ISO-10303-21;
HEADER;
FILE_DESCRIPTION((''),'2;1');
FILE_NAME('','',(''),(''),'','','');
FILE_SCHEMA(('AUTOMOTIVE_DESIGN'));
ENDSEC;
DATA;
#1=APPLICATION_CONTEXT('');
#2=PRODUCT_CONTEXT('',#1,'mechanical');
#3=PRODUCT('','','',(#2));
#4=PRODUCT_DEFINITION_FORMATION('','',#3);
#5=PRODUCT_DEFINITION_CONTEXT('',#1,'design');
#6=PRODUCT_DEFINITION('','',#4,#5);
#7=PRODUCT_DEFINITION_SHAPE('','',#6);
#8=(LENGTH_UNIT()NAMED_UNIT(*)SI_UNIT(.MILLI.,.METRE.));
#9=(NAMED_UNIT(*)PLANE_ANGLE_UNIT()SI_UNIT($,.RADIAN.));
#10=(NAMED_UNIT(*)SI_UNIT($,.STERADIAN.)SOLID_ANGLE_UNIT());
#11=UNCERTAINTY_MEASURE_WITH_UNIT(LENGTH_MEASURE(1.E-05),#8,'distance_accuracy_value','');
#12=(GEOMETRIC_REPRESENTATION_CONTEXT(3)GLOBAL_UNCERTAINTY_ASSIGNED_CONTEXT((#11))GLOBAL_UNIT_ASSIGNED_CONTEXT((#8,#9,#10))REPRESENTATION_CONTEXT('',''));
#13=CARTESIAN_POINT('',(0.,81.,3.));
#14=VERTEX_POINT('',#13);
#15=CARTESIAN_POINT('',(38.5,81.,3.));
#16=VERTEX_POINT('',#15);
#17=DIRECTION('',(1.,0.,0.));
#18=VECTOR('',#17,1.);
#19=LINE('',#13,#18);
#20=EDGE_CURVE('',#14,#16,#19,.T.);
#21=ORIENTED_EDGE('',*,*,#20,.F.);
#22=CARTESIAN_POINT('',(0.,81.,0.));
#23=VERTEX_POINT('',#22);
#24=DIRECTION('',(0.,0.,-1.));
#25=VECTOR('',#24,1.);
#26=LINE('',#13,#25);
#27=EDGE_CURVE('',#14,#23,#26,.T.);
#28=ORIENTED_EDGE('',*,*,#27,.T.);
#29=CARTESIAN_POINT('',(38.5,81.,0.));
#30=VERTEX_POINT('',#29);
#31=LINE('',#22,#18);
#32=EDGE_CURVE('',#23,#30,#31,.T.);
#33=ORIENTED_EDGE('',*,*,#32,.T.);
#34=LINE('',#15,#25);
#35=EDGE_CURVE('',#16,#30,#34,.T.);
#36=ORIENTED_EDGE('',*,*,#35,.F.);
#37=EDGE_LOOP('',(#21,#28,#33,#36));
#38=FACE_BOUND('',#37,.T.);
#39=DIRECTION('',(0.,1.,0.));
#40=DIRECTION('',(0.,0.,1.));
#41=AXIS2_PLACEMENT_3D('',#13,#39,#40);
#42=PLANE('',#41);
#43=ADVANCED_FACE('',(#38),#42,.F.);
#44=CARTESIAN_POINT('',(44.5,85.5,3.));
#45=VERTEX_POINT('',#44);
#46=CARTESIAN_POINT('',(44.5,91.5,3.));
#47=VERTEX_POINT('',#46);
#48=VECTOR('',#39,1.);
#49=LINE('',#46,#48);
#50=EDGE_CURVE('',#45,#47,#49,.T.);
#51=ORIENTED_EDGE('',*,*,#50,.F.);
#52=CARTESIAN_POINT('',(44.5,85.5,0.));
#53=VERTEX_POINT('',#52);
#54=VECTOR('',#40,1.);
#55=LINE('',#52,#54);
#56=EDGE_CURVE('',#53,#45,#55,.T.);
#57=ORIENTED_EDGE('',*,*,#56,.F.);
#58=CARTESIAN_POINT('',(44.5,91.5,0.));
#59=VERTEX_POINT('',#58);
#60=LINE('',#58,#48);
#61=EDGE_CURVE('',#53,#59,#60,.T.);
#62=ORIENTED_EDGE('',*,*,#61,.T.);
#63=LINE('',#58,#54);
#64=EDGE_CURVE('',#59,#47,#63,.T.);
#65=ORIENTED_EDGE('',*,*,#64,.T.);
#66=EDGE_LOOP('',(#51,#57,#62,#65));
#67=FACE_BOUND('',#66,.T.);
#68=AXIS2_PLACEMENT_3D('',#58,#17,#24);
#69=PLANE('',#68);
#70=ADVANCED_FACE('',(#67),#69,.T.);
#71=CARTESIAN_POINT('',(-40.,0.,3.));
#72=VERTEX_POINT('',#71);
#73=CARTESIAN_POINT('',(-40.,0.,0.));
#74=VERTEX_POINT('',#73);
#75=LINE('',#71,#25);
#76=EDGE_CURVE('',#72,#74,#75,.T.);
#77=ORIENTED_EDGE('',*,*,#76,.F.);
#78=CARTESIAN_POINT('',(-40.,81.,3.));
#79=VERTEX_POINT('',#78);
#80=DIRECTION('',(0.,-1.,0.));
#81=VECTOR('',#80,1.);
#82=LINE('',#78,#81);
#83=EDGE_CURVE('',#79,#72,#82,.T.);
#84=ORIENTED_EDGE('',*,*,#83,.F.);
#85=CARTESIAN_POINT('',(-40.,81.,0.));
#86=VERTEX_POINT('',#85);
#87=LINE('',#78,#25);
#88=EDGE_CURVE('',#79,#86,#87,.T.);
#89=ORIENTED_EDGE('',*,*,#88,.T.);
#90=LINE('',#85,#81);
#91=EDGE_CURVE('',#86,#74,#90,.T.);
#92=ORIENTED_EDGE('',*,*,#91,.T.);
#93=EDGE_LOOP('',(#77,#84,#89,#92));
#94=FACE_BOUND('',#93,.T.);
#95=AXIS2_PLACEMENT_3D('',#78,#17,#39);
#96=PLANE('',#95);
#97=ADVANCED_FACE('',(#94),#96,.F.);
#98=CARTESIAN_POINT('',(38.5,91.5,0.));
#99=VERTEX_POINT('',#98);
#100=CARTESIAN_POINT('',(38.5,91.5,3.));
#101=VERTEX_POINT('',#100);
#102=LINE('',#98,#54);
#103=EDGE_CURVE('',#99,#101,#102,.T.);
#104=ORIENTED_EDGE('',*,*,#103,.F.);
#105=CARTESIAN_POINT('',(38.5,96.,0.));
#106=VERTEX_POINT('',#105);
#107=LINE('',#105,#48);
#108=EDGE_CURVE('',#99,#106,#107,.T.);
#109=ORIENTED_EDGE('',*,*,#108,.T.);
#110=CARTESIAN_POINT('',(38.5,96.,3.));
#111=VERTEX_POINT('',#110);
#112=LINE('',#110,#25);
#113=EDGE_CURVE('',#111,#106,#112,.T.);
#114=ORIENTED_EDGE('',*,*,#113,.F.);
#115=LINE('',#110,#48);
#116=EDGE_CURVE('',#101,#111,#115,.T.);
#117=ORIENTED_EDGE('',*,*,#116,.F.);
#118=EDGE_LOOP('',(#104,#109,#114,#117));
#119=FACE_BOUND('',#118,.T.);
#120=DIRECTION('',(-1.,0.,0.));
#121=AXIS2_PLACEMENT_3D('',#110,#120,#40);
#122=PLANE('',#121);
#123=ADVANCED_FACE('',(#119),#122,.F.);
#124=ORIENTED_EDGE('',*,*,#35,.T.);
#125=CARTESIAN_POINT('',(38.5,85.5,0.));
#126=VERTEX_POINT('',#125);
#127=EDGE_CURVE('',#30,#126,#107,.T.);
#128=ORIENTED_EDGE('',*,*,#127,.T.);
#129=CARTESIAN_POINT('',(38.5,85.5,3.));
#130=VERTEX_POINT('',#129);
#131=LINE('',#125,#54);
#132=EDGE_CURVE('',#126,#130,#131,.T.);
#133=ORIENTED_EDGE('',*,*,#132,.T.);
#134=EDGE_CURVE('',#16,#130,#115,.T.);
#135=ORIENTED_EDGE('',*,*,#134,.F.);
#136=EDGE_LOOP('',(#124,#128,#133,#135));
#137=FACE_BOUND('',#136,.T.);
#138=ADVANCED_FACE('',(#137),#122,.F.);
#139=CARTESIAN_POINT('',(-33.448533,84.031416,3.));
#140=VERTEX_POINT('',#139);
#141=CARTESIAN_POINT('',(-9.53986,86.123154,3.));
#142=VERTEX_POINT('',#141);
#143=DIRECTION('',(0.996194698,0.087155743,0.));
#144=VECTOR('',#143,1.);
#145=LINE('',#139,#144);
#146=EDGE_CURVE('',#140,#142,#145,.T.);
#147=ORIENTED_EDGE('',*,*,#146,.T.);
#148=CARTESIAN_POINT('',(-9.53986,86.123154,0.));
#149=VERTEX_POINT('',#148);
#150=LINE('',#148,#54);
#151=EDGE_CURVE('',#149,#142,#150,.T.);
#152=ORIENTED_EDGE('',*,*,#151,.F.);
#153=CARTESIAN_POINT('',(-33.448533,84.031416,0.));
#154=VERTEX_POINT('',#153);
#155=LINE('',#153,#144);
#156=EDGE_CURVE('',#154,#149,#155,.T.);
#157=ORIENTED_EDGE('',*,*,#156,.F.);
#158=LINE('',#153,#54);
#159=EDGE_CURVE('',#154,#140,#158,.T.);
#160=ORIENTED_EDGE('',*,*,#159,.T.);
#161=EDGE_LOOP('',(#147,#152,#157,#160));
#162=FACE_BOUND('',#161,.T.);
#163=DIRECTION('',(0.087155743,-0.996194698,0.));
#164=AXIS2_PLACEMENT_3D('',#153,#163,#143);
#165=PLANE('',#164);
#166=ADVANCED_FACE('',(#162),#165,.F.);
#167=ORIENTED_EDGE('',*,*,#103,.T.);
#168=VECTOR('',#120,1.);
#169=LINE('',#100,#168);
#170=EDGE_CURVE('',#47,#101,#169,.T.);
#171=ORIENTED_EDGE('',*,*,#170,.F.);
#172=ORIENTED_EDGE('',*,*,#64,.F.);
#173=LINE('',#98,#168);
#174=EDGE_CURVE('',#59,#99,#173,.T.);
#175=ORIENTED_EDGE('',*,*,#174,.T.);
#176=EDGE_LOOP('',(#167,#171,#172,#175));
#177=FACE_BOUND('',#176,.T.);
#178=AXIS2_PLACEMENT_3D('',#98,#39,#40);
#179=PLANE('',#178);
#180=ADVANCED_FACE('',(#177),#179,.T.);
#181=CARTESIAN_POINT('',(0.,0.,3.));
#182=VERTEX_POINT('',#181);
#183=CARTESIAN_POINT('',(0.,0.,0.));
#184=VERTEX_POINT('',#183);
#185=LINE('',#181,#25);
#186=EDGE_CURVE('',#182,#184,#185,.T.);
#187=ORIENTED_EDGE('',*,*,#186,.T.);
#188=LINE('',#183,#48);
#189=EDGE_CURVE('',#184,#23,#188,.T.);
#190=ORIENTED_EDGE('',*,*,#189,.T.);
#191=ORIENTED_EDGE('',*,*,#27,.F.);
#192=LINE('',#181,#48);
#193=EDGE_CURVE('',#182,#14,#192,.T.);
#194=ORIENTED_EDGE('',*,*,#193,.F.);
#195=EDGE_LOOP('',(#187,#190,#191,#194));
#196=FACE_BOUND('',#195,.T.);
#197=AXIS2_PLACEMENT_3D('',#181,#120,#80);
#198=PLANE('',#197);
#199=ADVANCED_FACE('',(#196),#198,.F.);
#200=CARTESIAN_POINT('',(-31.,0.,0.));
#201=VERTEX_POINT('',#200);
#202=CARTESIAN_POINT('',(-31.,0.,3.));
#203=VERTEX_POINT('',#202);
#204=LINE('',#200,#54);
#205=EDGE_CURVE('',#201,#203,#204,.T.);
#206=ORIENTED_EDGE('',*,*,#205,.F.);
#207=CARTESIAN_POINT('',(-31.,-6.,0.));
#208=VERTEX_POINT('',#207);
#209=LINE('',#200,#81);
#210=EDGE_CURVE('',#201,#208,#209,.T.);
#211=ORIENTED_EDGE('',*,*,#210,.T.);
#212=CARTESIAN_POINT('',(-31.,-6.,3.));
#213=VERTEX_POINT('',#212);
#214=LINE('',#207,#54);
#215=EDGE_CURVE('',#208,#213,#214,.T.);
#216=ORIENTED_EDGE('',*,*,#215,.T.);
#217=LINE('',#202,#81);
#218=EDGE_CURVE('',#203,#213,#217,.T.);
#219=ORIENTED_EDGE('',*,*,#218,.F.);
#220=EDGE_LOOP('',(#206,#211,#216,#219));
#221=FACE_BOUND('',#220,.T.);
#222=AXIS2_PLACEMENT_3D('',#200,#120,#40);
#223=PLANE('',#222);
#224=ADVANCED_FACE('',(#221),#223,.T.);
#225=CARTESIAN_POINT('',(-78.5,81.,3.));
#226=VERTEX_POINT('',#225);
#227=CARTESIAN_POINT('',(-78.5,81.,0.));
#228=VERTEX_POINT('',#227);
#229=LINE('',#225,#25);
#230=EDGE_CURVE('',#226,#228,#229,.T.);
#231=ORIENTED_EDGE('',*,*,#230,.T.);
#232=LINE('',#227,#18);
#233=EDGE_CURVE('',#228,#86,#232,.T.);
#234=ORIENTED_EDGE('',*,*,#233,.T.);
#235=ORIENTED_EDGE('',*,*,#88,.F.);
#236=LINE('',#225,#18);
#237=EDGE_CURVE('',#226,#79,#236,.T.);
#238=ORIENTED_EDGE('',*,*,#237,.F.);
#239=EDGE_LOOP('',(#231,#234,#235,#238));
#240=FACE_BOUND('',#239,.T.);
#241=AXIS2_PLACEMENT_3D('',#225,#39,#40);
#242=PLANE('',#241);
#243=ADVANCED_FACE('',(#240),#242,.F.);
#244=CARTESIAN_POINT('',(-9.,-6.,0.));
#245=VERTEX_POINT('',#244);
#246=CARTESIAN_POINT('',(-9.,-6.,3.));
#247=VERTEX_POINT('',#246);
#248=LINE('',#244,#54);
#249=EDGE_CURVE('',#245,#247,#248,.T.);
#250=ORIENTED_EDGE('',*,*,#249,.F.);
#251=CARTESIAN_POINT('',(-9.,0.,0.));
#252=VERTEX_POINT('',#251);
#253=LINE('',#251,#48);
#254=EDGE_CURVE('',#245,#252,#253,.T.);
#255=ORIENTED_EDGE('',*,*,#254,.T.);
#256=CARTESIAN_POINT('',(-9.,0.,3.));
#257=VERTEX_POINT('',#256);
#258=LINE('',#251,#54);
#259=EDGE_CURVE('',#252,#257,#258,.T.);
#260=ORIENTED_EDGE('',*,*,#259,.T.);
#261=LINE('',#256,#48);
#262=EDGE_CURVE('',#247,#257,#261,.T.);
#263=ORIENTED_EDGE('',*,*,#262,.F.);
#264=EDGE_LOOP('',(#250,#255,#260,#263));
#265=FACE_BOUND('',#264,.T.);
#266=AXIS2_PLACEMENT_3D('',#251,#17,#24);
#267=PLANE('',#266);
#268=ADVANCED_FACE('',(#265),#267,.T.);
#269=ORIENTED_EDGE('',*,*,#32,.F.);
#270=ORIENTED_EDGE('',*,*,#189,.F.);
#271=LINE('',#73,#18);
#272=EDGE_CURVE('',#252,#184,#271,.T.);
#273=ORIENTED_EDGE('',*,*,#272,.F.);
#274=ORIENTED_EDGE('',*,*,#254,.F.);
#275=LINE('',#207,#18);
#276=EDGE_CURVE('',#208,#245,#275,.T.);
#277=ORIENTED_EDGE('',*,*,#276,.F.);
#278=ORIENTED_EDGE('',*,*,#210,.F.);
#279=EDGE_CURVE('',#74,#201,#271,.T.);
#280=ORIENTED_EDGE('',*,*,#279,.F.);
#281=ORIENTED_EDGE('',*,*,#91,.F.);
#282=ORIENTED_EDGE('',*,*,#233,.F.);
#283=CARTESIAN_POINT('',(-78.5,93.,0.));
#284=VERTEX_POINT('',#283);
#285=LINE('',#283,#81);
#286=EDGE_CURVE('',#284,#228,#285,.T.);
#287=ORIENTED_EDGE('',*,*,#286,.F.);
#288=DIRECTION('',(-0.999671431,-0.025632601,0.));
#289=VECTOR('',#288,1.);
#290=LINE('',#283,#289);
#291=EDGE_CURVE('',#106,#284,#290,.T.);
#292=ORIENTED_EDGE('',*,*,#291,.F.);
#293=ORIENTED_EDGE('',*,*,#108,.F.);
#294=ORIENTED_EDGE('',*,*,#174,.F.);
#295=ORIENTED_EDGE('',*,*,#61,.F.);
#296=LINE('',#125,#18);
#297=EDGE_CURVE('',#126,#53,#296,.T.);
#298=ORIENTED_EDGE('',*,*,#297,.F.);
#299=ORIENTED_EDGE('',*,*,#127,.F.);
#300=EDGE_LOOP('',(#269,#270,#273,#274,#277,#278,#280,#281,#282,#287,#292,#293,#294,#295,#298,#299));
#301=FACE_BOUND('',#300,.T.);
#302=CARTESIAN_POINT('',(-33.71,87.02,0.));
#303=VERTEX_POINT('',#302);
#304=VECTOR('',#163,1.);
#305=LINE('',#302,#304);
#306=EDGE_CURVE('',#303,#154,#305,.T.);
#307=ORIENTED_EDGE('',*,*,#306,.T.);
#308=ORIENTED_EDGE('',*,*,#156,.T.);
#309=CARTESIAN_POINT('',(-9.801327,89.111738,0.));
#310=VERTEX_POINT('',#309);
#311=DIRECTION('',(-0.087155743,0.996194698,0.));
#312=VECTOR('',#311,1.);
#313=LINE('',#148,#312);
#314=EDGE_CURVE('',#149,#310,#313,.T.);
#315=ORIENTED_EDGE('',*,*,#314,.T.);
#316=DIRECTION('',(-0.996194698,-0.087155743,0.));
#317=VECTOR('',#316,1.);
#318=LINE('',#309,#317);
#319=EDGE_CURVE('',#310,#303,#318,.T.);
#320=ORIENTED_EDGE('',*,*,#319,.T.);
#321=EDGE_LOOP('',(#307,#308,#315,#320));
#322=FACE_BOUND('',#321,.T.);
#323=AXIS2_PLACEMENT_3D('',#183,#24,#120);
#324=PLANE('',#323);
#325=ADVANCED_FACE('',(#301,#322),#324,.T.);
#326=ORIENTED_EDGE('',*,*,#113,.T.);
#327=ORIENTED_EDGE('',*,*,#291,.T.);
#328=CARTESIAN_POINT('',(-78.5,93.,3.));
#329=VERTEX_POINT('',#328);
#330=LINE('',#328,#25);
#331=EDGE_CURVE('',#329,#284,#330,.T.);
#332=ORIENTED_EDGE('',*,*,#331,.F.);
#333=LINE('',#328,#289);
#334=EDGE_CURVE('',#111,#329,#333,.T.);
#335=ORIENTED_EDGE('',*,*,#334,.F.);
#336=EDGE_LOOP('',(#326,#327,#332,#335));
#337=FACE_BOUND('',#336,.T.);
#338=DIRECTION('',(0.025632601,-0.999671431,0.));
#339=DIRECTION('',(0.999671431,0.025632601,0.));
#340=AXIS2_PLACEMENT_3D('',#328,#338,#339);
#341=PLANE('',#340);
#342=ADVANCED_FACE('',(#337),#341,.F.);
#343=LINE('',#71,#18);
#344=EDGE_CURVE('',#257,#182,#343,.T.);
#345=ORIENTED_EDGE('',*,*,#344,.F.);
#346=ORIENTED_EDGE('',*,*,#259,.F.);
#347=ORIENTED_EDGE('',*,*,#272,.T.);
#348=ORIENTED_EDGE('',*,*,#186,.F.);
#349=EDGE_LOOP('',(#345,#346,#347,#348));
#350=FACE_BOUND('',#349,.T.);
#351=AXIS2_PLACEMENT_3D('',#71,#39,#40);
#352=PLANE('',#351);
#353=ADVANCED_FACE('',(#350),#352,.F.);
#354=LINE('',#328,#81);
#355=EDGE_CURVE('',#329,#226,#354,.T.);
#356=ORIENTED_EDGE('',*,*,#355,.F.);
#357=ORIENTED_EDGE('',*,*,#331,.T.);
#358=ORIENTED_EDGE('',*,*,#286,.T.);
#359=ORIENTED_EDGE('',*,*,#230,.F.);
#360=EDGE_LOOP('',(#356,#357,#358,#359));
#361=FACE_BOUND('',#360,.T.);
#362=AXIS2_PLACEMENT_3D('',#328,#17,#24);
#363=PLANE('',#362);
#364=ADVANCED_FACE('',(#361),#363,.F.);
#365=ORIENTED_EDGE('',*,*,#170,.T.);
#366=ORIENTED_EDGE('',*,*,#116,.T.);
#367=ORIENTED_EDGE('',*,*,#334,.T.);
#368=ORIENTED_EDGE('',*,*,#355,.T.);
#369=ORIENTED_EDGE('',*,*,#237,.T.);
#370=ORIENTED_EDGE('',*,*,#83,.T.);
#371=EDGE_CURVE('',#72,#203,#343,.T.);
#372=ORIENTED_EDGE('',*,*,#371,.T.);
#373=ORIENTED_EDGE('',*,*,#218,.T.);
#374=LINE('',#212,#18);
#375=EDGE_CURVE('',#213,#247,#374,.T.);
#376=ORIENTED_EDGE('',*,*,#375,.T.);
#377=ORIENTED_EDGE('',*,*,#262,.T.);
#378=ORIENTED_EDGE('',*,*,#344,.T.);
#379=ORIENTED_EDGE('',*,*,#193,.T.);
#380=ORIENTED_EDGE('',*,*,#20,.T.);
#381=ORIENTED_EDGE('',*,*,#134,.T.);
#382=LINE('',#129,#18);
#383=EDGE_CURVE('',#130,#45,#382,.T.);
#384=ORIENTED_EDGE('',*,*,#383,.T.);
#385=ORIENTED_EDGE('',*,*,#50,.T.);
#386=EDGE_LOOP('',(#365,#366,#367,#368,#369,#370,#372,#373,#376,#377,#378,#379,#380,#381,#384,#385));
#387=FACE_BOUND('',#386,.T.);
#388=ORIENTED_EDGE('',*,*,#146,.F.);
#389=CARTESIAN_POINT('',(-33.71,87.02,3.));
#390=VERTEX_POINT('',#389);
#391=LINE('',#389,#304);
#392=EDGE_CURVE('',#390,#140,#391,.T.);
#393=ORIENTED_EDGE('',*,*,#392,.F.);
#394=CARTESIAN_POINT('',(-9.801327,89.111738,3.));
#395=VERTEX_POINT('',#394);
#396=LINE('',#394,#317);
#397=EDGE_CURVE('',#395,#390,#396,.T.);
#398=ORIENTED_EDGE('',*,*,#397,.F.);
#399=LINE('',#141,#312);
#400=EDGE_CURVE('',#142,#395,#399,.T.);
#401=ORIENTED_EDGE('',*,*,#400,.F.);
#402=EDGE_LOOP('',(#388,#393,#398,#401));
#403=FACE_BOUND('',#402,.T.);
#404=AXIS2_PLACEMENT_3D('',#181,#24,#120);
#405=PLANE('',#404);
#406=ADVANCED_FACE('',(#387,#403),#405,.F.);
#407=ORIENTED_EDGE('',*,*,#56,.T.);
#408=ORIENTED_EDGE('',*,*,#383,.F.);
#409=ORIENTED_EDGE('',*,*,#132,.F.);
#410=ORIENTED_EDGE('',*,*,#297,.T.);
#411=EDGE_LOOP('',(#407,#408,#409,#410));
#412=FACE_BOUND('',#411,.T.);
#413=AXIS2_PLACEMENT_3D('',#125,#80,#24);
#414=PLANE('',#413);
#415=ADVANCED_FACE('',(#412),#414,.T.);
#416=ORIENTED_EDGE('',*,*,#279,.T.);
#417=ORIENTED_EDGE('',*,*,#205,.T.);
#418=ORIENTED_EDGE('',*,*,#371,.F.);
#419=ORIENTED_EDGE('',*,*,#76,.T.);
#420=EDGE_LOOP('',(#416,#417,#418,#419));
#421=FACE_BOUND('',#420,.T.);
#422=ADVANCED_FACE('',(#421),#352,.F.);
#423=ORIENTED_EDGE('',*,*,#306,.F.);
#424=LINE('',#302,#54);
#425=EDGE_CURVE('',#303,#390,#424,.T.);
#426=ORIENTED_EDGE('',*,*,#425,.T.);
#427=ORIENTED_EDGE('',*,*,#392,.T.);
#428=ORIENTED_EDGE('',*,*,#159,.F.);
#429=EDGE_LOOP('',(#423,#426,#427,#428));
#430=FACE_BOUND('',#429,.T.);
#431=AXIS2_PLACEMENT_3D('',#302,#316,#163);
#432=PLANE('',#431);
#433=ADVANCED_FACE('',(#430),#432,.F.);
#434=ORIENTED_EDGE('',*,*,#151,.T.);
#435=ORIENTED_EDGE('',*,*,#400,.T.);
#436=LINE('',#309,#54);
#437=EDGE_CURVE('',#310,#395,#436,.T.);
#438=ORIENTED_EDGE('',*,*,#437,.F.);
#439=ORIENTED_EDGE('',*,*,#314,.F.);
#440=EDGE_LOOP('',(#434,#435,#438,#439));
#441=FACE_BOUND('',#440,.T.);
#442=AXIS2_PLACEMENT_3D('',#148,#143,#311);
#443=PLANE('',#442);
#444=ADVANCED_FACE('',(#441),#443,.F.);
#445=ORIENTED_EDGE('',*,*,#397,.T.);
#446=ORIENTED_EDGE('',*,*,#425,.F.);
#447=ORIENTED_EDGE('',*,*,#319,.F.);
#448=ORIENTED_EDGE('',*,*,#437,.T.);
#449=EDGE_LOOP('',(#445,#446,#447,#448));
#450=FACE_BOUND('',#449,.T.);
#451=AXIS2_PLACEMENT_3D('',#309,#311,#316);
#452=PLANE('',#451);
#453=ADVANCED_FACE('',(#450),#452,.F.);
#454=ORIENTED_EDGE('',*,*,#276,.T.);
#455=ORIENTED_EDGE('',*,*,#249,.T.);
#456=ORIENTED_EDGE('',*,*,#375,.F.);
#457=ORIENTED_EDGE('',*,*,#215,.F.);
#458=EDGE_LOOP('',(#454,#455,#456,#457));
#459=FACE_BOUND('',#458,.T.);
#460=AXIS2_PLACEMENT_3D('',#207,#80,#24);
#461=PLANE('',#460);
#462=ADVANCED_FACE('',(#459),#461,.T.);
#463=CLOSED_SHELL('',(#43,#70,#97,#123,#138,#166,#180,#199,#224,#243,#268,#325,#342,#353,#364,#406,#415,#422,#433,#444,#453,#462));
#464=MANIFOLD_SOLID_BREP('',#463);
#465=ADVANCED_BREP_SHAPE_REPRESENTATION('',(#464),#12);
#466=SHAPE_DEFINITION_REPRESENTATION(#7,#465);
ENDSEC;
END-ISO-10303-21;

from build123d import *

# Parameters (mm, degrees)
BOSS_EXTRUDE1_DEPTH = 3
CUT_EXTRUDE1_DEPTH  = 125.045354609
SKETCH3_W           = 6
SKETCH3_H           = 6
SKETCH3_W_2         = 22
BOSS_EXTRUDE2_DEPTH = 3


with BuildPart() as part:
    # Sketch1 → Boss-Extrude1 (new body)
    with BuildSketch(Plane.XY):
        Polygon((-78.5, 93), (-78.5, 81), (-40, 81), (-40, 0), (0, 0), (0, 81), (38.5, 81), (38.5, 96), align=None)
    extrude(amount=BOSS_EXTRUDE1_DEPTH)

    # Sketch2 → Cut-Extrude1 (cut, through all)
    with BuildSketch(Plane.XY.offset(3)):
        Polygon((-33.71, 87.02), (-33.448532772, 84.031415906), (-9.539860018, 86.123153732), (-9.801327246, 89.111737826), align=None)
    extrude(amount=-CUT_EXTRUDE1_DEPTH, mode=Mode.SUBTRACT)

    # Sketch3 → Boss-Extrude2 (add, through all)
    with BuildSketch(Plane.XY.offset(3)):
        with Locations((41.5, 88.5)):
            Rectangle(SKETCH3_W, SKETCH3_H)
        with Locations((-20, -3)):
            Rectangle(SKETCH3_W_2, SKETCH3_H)
    extrude(amount=-BOSS_EXTRUDE2_DEPTH)


solid = part.part
